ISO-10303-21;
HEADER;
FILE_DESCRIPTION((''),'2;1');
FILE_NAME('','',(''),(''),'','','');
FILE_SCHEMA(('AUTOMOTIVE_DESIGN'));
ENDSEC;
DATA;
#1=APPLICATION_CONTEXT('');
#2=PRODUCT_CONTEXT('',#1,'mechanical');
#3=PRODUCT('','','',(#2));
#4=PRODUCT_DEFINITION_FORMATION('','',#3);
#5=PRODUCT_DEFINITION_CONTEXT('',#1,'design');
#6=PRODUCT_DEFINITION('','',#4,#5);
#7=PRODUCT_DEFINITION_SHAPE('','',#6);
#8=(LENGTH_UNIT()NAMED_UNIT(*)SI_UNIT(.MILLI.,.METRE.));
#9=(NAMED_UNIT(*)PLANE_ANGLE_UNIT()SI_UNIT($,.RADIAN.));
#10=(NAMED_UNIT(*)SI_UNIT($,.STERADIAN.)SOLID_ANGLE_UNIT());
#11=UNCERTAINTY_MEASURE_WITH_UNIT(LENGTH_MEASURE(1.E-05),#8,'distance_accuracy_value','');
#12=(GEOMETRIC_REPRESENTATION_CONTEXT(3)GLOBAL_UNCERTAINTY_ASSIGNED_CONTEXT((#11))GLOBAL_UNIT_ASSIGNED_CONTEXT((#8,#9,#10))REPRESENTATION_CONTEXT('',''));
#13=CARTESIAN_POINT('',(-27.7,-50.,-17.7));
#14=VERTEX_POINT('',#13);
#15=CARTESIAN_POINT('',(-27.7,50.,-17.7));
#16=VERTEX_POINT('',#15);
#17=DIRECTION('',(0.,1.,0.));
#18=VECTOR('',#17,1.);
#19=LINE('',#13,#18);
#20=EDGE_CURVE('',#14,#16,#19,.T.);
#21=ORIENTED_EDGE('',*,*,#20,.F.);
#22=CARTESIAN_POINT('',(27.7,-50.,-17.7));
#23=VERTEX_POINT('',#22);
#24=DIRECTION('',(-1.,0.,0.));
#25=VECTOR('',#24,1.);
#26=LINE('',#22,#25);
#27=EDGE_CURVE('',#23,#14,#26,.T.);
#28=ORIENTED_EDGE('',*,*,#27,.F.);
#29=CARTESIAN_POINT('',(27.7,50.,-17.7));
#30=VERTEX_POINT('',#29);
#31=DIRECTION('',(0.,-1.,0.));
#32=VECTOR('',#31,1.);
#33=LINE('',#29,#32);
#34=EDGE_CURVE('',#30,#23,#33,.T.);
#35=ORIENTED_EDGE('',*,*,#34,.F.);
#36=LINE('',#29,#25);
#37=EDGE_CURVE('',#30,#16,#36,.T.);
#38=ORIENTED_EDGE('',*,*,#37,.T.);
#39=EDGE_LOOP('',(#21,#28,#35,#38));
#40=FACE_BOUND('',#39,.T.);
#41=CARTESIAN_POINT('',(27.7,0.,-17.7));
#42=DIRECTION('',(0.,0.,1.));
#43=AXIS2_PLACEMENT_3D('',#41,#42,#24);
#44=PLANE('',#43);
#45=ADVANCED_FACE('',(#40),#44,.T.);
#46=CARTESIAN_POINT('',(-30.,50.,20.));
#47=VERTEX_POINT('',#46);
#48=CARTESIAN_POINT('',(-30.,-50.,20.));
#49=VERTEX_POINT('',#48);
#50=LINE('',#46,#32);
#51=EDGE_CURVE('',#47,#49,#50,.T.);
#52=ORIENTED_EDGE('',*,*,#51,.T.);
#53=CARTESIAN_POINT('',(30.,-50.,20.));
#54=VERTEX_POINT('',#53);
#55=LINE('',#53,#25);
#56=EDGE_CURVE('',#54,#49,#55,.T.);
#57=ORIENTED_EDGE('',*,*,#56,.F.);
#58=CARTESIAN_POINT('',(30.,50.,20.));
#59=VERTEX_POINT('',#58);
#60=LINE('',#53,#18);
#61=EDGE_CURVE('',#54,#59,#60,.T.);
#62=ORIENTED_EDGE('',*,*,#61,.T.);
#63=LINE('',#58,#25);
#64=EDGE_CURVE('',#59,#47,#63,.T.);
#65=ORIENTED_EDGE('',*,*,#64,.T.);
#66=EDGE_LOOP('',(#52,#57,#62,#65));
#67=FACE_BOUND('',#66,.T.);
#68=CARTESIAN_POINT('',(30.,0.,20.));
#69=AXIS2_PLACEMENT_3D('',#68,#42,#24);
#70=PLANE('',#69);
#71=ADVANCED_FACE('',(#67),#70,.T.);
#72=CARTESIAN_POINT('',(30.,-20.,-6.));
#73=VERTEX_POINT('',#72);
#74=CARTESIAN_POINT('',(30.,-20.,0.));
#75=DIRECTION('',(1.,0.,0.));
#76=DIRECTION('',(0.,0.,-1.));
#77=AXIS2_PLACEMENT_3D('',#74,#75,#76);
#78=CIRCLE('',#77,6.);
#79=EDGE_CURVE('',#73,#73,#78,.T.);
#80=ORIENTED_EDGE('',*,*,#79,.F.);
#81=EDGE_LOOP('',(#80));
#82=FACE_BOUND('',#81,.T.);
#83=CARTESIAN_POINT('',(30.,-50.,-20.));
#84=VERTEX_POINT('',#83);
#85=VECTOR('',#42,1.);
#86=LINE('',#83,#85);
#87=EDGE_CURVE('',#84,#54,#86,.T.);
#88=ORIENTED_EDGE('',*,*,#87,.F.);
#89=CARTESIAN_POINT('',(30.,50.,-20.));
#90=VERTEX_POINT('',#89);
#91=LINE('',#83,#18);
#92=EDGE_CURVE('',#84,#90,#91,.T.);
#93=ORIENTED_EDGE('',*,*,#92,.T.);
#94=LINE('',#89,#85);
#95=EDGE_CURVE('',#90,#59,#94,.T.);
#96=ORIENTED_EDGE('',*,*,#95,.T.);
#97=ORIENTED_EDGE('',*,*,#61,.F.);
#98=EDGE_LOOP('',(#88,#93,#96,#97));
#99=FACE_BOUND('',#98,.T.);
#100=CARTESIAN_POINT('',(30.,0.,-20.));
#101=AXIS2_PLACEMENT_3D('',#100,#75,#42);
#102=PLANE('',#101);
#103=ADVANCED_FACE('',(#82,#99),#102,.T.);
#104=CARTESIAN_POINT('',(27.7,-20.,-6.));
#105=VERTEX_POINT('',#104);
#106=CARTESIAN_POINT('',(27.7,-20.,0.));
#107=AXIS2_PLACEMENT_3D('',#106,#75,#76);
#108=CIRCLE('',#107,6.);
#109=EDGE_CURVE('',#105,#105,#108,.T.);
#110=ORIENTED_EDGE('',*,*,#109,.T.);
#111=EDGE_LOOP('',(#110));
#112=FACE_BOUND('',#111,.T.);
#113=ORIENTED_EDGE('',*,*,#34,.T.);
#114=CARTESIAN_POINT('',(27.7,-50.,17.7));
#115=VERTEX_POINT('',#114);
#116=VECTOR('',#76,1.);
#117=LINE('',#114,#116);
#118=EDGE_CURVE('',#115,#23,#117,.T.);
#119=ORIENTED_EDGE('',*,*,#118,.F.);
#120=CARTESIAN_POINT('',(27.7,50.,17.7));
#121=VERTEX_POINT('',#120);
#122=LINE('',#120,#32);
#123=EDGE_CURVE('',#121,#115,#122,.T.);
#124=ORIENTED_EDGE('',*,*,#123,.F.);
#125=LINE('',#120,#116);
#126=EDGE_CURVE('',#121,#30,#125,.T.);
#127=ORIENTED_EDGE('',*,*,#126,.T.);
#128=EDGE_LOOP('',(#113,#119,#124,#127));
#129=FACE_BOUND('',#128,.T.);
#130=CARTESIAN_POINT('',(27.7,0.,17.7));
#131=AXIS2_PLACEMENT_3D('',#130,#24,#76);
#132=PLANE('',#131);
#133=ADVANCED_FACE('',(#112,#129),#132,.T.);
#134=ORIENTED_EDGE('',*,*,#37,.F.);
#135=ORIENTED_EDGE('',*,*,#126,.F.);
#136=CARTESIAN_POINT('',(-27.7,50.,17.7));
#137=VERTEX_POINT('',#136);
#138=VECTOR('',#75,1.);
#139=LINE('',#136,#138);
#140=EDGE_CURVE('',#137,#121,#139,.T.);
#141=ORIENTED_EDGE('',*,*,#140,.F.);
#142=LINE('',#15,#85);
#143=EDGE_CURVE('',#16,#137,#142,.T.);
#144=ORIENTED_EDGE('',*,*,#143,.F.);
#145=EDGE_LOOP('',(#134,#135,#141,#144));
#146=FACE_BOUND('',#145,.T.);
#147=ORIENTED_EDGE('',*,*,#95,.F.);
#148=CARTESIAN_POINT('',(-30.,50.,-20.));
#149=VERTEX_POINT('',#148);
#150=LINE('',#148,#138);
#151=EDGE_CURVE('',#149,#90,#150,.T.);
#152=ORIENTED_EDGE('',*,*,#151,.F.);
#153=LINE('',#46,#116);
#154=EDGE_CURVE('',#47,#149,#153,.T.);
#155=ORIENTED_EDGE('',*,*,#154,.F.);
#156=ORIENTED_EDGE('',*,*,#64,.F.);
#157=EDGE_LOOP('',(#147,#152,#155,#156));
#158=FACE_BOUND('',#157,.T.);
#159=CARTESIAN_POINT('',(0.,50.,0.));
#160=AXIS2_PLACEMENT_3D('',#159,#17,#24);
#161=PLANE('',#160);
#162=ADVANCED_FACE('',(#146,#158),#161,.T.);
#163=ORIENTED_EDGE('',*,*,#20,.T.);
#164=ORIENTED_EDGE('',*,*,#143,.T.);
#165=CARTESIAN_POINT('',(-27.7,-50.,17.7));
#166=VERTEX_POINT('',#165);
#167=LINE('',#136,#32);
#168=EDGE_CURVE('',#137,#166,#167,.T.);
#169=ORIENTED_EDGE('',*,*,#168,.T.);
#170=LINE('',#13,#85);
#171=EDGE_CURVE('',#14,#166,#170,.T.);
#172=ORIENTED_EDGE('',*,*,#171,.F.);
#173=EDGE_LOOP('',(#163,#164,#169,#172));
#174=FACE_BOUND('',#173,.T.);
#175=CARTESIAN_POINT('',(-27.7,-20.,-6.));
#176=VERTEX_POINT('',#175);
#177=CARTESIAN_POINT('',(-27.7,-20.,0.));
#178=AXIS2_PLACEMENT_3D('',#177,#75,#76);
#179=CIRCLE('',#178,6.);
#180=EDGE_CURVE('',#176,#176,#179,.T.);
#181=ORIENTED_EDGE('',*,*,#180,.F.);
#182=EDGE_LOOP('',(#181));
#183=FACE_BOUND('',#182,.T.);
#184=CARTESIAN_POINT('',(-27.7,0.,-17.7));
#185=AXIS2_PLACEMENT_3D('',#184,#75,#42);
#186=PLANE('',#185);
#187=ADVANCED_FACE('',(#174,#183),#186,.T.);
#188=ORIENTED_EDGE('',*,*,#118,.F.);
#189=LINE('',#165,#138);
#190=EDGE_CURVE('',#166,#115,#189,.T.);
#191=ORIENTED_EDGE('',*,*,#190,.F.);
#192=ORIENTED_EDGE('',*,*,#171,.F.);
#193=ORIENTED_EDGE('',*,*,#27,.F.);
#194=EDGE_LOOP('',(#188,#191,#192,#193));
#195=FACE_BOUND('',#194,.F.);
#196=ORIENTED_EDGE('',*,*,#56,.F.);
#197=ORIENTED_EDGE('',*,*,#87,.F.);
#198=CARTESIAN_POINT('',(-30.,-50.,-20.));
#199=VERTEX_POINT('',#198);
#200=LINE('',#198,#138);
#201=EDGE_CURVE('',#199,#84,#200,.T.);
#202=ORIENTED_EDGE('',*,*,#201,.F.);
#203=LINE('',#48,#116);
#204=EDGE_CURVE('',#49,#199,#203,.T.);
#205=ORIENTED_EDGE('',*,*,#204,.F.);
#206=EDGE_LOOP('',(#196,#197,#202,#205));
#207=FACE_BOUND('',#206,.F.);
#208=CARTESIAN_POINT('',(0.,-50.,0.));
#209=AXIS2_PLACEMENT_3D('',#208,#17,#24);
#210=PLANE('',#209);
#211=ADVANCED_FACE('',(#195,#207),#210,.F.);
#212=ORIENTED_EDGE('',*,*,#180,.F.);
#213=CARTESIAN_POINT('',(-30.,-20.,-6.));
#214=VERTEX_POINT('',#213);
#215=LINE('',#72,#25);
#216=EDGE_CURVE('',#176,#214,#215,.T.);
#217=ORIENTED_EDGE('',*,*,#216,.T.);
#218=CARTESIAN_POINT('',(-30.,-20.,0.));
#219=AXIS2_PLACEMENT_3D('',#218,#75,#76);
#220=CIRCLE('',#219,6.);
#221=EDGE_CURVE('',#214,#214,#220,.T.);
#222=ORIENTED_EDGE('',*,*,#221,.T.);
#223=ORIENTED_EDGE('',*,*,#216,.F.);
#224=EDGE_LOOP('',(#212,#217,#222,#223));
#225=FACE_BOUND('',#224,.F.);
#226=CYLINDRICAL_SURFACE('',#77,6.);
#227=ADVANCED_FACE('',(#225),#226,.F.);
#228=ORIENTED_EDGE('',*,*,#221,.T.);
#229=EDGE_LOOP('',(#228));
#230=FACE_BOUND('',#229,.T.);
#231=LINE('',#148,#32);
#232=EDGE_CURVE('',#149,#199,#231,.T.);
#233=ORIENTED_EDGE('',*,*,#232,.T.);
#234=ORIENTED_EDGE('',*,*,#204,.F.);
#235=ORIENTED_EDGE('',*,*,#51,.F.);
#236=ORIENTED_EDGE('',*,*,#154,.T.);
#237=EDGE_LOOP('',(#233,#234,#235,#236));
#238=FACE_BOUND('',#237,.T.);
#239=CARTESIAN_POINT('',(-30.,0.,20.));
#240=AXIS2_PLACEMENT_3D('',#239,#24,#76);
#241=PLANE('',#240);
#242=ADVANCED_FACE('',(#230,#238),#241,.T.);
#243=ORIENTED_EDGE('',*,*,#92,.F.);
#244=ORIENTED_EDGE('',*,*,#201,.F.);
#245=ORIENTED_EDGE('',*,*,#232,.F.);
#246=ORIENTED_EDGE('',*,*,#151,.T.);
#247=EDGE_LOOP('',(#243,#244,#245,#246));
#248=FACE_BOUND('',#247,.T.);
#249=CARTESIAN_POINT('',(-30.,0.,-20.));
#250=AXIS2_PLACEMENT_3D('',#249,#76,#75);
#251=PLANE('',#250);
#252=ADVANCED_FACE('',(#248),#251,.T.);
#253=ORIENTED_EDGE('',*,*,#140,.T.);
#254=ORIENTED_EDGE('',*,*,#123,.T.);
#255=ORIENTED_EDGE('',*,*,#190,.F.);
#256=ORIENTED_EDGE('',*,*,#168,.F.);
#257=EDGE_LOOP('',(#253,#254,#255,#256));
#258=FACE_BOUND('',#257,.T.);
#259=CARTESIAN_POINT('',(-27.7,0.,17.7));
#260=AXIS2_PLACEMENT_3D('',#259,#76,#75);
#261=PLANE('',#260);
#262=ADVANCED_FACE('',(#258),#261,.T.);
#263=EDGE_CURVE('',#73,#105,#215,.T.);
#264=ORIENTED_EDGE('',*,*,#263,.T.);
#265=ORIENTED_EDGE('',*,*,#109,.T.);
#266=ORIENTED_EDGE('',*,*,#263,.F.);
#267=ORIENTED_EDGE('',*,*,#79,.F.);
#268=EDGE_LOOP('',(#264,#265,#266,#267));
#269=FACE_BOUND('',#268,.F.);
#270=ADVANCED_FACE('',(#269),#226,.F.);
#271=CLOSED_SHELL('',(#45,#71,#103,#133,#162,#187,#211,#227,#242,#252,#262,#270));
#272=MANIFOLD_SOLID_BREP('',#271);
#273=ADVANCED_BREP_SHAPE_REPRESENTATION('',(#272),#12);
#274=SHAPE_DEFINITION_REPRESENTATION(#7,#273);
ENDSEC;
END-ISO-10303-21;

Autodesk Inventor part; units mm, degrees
ref_plane "YZ Plane" through (0, 0, 0) normal (1, 0, 0) x (0, 1, 0)
ref_plane "XZ Plane" through (0, 0, 0) normal (0, 1, 0) x (-1, 0, 0)
ref_plane "XY Plane" through (0, 0, 0) normal (0, 0, 1) x (1, 0, 0)
sketch "スケッチ2" plane through (0, 0, 0) normal (0, 1, 0) x (-1, 0, 0)
  line L0 (-30, 20) -> (30, 20)
  line L1 (30, 20) -> (30, -20)
  line L2 (30, -20) -> (-30, -20)
  line L3 (-30, -20) -> (-30, 20)
  line L4 (-30, 20) -> (30, -20) construction
  line L5 (30, 20) -> (-30, -20) construction
  line L6 (27.7, -17.7) -> (27.7, 17.7)
  line L7 (27.7, 17.7) -> (-27.7, 17.7)
  line L8 (-27.7, 17.7) -> (-27.7, -17.7)
  line L9 (-27.7, -17.7) -> (27.7, -17.7)
  point P0 (0, 0)
  dimension "d0" = 60
  dimension "d1" = 40
  dimension "d2" = 2.3
extrude "押し出し1" add sketch "スケッチ2" along normal mid plane 100
sketch "スケッチ3" plane through (30, -50, -20) normal (1, 0, 0) x (0, 0, -1)
  circle A0 centre (-20, 30) radius 6
  point P0 (-20, 50)
  dimension "d5" = 12
  dimension "d6" = 20
extrude "押し出し2" cut sketch "スケッチ3" against normal blind 60
properties part number "車軸受け1"
